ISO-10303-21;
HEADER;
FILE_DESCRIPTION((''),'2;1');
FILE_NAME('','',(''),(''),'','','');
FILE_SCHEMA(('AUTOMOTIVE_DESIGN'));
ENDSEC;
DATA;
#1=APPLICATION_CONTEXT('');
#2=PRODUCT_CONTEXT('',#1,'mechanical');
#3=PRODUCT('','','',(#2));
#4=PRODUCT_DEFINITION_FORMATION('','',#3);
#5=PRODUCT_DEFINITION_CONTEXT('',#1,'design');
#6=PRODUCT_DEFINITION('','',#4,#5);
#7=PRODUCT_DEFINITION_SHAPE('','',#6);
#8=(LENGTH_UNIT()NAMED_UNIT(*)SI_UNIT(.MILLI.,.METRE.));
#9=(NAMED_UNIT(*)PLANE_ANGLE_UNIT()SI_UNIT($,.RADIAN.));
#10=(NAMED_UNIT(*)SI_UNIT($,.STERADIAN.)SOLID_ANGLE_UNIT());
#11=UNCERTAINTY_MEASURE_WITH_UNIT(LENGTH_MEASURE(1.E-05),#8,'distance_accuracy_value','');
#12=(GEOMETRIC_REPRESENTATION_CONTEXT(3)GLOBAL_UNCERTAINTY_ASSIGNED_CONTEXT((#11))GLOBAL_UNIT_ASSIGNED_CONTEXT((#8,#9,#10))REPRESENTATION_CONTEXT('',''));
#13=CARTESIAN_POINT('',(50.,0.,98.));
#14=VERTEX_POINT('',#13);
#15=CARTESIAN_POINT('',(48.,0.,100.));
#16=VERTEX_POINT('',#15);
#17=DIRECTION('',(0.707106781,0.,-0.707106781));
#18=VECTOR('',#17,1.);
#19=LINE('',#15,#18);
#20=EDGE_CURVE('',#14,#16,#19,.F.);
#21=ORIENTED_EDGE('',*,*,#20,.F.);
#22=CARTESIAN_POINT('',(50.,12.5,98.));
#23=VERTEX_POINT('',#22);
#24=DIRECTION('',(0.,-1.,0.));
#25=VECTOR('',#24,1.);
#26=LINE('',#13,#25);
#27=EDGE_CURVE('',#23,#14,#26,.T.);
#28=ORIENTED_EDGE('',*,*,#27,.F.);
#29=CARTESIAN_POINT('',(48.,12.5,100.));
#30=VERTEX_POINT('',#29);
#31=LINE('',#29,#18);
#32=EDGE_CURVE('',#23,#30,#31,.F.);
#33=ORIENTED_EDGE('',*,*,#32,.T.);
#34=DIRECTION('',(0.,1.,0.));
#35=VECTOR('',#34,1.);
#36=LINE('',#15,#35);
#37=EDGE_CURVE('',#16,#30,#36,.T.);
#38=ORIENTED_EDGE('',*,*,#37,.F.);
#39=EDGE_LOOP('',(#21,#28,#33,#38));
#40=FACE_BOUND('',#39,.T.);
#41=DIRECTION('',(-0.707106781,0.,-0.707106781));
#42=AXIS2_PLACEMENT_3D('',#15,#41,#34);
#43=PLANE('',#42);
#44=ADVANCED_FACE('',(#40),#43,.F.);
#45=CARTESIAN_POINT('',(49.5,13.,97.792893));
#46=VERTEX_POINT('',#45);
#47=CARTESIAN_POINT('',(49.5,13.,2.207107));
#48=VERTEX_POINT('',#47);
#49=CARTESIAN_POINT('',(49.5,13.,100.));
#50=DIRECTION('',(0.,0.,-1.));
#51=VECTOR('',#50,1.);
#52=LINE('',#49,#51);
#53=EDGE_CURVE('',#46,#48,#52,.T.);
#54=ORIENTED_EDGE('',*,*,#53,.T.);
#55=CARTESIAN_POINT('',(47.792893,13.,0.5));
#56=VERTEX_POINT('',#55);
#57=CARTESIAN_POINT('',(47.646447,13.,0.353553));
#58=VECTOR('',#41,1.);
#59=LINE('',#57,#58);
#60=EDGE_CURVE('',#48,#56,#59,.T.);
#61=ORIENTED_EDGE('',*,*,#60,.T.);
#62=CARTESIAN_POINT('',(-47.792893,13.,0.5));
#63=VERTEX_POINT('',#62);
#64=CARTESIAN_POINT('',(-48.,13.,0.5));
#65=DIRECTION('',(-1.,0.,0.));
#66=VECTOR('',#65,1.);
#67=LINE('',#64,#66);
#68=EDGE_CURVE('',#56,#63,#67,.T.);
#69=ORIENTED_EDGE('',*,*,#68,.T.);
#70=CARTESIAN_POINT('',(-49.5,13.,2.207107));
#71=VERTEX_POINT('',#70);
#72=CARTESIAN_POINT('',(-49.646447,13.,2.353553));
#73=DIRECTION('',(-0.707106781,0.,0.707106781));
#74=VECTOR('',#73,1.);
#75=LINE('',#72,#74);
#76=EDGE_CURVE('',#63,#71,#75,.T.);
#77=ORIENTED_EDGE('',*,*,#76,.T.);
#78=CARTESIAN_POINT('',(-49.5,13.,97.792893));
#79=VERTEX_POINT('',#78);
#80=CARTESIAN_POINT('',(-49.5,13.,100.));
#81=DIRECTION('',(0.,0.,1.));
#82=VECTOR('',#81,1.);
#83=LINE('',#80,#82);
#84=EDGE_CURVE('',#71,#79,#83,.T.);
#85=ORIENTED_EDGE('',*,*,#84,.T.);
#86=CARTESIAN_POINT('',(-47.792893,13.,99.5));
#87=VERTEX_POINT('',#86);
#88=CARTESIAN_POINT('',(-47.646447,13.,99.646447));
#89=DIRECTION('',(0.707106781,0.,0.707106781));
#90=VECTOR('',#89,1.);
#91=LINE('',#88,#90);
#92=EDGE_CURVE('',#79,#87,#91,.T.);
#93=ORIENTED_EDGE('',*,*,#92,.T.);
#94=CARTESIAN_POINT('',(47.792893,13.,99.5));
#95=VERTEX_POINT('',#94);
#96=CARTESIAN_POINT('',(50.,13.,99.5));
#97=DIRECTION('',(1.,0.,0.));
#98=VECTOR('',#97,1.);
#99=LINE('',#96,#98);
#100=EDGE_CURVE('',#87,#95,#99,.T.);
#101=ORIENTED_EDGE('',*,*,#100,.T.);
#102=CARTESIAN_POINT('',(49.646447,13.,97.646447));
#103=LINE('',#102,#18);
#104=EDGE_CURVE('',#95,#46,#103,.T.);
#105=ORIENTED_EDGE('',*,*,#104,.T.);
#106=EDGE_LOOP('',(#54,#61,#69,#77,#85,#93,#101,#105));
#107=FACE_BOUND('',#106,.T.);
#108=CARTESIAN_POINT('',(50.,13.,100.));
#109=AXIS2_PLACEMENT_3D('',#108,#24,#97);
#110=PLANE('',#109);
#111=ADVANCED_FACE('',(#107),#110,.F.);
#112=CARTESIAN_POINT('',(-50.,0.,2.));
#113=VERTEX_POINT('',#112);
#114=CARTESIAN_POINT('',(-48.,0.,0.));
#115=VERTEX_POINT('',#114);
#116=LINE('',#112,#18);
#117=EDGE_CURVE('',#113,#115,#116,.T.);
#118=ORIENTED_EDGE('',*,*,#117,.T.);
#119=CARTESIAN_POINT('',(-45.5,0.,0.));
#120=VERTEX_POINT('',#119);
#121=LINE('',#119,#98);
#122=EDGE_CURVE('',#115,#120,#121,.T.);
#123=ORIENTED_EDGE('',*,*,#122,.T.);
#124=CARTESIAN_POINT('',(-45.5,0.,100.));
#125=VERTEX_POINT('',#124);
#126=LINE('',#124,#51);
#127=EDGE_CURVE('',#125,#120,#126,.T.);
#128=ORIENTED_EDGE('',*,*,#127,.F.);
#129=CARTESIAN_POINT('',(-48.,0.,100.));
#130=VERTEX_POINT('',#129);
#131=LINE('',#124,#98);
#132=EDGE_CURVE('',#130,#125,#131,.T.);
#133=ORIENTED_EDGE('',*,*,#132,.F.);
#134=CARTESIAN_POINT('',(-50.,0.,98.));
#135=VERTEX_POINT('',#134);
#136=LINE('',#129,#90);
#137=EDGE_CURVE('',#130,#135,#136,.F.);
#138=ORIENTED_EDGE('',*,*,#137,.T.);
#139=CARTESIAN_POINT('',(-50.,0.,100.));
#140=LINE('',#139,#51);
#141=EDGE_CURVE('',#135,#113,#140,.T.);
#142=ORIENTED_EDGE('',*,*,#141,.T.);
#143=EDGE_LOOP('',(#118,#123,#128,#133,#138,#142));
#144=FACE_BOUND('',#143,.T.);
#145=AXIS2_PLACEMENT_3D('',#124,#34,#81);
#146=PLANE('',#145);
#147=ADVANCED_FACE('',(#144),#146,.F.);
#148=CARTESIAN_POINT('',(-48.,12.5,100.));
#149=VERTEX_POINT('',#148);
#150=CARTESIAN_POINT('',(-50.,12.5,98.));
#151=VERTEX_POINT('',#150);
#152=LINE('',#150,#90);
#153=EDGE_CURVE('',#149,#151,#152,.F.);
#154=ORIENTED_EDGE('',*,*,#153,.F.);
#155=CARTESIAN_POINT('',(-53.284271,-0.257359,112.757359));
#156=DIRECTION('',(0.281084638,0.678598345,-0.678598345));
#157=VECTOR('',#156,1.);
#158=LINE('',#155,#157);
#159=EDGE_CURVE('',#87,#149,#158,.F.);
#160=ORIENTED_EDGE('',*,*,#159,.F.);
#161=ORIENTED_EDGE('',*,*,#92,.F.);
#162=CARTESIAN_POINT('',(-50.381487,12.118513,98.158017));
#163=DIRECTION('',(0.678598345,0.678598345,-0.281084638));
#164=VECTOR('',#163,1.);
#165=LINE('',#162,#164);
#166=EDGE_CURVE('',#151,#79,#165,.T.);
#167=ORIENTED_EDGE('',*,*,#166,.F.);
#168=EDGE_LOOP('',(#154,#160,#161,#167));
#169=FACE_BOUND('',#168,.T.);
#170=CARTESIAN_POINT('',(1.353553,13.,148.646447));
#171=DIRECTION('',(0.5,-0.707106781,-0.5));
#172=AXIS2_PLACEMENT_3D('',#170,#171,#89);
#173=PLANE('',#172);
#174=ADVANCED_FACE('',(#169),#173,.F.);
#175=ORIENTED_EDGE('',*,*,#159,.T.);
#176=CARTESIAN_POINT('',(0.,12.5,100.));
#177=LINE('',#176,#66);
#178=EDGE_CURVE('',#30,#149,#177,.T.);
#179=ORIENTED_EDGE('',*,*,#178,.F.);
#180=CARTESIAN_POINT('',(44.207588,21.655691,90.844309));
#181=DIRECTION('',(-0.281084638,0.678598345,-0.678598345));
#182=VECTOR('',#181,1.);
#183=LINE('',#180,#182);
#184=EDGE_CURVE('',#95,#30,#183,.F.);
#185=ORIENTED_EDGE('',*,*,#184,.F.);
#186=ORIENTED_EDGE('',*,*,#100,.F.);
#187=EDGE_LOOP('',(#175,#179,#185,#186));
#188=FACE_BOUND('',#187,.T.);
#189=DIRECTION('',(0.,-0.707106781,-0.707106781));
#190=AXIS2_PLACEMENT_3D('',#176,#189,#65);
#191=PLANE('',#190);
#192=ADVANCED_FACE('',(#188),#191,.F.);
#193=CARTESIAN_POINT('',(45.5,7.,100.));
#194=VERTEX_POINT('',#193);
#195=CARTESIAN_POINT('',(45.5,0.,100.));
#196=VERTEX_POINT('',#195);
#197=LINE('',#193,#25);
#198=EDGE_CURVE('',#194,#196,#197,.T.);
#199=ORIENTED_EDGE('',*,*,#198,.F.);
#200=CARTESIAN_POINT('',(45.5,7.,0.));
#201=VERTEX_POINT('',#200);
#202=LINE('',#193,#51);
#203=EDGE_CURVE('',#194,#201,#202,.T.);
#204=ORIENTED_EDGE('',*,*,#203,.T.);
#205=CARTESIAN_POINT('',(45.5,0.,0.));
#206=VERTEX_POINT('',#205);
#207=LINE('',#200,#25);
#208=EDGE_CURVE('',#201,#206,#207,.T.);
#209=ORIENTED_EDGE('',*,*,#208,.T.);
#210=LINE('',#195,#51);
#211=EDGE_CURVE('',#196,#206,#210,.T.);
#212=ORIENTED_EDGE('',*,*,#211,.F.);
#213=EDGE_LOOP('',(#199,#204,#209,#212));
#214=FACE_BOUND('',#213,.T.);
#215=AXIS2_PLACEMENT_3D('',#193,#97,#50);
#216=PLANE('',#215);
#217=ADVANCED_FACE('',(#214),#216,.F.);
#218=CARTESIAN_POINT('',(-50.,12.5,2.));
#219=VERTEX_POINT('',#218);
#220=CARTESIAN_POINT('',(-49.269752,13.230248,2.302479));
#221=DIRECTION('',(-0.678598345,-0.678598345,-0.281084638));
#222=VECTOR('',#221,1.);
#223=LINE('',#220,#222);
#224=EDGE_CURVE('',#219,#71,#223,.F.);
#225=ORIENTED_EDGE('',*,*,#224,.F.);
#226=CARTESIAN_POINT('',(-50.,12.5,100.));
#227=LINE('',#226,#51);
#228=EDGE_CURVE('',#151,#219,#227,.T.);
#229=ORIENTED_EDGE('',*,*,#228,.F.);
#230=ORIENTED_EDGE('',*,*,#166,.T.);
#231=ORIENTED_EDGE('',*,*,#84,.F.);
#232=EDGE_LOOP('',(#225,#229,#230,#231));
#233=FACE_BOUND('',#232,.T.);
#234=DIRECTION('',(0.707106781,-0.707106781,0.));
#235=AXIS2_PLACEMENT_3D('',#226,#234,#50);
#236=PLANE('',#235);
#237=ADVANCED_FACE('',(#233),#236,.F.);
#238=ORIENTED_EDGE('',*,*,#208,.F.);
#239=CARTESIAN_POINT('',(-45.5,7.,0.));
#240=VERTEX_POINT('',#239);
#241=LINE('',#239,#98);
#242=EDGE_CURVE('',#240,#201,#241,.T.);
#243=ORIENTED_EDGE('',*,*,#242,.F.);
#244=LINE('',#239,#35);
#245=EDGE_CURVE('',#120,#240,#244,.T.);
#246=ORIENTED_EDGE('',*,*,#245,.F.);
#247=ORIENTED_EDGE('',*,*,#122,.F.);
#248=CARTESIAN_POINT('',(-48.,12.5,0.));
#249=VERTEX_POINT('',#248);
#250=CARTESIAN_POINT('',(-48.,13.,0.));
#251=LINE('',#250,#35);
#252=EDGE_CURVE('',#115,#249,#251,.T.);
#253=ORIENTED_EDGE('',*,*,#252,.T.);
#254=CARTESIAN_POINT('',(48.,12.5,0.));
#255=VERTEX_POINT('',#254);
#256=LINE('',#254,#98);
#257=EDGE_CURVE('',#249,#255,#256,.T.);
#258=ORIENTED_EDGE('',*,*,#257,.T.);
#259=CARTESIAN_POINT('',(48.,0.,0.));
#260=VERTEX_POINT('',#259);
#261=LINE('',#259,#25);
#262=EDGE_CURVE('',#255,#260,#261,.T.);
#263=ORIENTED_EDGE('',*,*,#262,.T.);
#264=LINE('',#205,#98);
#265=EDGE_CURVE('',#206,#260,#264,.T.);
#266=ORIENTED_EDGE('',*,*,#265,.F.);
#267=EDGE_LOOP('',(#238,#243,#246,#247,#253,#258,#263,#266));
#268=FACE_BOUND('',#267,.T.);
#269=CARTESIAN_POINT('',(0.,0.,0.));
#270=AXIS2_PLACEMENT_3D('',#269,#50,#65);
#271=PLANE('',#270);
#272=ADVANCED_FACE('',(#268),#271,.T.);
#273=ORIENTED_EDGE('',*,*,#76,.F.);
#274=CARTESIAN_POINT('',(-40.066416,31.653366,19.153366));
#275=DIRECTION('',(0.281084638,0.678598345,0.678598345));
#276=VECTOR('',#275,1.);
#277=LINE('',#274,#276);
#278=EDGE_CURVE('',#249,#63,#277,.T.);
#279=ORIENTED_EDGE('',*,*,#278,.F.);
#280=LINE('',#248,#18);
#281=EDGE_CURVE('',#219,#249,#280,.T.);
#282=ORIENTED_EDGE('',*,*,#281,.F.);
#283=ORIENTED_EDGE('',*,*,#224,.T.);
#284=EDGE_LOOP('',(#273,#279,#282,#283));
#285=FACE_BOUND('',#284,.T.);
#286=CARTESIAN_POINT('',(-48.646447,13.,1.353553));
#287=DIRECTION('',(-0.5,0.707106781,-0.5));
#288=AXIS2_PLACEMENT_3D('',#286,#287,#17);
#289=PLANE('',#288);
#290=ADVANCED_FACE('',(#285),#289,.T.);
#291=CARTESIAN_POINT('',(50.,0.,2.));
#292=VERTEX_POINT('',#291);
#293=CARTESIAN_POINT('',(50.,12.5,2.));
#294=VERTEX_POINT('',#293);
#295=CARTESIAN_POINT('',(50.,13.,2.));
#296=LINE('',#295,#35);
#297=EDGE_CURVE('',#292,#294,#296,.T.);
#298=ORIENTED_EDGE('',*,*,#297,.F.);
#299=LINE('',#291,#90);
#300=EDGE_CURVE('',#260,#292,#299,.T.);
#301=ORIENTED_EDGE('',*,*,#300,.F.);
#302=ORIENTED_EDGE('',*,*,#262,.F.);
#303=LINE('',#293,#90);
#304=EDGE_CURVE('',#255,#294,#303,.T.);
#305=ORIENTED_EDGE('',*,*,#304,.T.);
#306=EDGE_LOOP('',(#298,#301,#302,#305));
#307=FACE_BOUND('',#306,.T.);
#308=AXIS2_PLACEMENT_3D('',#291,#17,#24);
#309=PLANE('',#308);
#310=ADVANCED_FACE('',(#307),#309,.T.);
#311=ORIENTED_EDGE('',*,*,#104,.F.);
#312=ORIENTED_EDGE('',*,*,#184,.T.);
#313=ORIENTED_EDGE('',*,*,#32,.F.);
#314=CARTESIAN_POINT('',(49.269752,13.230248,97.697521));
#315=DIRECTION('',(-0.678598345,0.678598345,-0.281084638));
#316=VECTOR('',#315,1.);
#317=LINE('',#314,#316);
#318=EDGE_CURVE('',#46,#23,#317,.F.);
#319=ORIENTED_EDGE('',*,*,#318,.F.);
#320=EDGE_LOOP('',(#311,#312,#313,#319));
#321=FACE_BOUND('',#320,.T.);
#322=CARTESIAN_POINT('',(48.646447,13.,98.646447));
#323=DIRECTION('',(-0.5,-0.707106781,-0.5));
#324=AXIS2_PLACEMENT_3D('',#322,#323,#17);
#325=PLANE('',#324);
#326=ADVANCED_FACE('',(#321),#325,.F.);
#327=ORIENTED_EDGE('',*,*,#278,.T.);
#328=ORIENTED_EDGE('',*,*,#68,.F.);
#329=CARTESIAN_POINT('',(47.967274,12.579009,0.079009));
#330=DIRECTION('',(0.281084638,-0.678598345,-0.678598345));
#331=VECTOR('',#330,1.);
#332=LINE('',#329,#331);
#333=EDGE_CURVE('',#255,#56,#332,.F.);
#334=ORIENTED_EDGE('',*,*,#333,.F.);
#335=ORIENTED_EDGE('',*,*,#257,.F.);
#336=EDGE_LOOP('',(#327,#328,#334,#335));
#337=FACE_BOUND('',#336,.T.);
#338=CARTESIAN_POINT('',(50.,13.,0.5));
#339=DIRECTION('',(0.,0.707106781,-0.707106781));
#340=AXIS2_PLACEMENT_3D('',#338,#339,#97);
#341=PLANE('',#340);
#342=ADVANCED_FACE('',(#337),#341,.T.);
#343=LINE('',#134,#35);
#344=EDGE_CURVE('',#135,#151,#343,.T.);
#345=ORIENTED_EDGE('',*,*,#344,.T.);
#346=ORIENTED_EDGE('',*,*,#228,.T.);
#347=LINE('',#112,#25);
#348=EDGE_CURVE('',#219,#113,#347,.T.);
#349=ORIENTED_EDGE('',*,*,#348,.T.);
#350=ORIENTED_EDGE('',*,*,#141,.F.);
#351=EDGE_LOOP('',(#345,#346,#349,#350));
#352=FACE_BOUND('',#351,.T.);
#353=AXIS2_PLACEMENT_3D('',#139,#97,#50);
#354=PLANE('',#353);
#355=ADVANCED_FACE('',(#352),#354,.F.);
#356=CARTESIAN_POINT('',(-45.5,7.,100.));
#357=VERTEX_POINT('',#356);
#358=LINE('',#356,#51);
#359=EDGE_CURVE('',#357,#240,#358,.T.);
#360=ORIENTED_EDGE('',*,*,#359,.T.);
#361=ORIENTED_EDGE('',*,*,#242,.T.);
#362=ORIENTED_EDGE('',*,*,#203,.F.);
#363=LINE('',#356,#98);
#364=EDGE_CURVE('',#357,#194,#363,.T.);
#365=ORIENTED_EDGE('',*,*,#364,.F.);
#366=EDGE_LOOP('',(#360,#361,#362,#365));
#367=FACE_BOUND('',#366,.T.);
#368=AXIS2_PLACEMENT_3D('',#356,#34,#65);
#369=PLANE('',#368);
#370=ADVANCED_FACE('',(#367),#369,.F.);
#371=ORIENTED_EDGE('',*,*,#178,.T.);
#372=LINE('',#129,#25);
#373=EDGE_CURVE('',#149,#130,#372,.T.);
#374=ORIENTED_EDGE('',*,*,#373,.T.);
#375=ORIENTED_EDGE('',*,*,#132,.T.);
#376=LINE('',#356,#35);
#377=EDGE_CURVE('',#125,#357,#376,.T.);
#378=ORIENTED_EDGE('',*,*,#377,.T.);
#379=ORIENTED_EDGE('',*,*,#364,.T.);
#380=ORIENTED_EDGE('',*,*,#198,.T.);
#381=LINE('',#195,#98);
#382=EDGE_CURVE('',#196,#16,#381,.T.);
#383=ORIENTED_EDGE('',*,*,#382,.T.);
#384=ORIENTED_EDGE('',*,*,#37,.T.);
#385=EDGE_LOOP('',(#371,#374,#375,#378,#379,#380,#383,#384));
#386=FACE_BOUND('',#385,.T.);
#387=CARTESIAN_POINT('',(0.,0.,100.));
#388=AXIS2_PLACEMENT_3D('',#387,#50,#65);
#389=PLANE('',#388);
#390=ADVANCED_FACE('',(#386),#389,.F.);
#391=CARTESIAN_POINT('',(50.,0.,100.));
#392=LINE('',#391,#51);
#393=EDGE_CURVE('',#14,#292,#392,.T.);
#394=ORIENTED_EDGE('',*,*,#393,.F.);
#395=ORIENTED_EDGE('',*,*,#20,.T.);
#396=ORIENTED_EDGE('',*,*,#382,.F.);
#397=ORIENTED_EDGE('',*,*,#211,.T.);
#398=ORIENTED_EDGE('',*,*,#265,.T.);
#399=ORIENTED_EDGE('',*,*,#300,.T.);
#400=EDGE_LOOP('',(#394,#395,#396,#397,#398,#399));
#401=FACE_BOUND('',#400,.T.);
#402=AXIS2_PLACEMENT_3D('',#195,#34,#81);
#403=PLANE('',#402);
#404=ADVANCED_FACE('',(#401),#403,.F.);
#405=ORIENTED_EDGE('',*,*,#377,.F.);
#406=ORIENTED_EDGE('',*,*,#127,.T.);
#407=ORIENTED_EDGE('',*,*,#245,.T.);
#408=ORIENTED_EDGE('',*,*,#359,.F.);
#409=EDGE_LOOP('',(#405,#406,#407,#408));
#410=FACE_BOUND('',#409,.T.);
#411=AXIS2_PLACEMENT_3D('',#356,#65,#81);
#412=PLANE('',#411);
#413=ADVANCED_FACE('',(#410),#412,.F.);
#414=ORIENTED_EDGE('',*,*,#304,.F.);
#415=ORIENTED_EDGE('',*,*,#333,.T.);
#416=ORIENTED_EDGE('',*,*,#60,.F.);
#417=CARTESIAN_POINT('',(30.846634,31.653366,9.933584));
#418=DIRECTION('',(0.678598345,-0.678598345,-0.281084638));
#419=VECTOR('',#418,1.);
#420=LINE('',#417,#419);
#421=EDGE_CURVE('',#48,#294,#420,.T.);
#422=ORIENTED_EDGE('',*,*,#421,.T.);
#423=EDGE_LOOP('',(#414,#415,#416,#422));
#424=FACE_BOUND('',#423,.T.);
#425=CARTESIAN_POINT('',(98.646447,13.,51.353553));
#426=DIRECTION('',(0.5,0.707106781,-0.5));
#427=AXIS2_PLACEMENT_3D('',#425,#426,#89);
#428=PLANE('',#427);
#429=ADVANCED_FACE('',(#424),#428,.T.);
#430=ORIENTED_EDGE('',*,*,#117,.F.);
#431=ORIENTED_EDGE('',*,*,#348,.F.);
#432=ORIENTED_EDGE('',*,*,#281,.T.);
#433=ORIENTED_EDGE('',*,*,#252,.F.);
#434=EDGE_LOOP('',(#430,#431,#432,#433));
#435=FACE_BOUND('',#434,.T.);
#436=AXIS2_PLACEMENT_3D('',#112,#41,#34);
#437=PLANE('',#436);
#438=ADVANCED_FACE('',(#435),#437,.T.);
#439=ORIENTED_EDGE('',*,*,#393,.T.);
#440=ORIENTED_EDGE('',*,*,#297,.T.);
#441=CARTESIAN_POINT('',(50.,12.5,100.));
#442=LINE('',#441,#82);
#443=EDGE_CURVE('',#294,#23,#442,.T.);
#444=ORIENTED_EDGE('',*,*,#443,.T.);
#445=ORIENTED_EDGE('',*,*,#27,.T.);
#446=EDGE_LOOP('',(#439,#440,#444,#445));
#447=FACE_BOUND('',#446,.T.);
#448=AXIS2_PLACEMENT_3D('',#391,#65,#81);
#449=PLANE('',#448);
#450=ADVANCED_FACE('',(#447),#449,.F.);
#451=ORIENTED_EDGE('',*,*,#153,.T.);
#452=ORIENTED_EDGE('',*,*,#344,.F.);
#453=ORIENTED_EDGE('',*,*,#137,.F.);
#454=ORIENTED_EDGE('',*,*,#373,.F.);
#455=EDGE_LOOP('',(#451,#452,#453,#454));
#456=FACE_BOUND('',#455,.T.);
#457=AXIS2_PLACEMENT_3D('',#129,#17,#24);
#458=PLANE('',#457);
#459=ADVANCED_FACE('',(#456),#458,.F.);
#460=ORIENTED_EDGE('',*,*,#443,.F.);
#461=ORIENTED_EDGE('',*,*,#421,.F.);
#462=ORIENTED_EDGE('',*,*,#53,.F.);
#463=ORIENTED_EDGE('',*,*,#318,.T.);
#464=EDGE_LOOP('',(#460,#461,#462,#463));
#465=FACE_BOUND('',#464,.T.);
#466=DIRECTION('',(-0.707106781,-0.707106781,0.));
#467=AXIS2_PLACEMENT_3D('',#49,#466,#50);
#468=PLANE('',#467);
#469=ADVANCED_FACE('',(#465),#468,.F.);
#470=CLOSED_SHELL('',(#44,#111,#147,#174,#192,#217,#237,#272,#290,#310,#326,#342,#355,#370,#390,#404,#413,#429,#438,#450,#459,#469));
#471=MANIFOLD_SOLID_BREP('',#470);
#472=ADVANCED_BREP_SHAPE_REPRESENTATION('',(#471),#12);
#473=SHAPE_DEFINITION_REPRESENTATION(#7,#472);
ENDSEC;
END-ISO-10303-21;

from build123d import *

# Parameters (mm, degrees)
BOSS_EXTRUDE1_DEPTH = 100
CHAMFER1_SIZE       = 2
CHAMFER2_SIZE       = 0.5


with BuildPart() as part:
    # Sketch1 → Boss-Extrude1 (new body)
    with BuildSketch(Plane.XY):
        Polygon((50, 0), (50, 13), (-50, 13), (-50, 0), (-45.5, 0), (-45.5, 7), (45.5, 7), (45.5, 0), align=None)
    extrude(amount=BOSS_EXTRUDE1_DEPTH)

    # Chamfer1
    chamfer1_edges = [part.edges().sort_by_distance(p)[0] for p in [
        (-50, 6.5, 0),
        (50, 6.5, 100),
        (50, 6.5, 0),
        (-50, 6.5, 100),
    ]]
    chamfer(chamfer1_edges, length=CHAMFER1_SIZE)

    # Chamfer2
    chamfer2_edges = [part.edges().sort_by_distance(p)[0] for p in [
        (-50, 13, 50),
        (0, 13, 0),
        (0, 13, 100),
        (50, 13, 50),
        (-49, 13, 99),
        (49, 13, 99),
        (49, 13, 1),
        (-49, 13, 1),
    ]]
    chamfer(chamfer2_edges, length=CHAMFER2_SIZE)


solid = part.part
